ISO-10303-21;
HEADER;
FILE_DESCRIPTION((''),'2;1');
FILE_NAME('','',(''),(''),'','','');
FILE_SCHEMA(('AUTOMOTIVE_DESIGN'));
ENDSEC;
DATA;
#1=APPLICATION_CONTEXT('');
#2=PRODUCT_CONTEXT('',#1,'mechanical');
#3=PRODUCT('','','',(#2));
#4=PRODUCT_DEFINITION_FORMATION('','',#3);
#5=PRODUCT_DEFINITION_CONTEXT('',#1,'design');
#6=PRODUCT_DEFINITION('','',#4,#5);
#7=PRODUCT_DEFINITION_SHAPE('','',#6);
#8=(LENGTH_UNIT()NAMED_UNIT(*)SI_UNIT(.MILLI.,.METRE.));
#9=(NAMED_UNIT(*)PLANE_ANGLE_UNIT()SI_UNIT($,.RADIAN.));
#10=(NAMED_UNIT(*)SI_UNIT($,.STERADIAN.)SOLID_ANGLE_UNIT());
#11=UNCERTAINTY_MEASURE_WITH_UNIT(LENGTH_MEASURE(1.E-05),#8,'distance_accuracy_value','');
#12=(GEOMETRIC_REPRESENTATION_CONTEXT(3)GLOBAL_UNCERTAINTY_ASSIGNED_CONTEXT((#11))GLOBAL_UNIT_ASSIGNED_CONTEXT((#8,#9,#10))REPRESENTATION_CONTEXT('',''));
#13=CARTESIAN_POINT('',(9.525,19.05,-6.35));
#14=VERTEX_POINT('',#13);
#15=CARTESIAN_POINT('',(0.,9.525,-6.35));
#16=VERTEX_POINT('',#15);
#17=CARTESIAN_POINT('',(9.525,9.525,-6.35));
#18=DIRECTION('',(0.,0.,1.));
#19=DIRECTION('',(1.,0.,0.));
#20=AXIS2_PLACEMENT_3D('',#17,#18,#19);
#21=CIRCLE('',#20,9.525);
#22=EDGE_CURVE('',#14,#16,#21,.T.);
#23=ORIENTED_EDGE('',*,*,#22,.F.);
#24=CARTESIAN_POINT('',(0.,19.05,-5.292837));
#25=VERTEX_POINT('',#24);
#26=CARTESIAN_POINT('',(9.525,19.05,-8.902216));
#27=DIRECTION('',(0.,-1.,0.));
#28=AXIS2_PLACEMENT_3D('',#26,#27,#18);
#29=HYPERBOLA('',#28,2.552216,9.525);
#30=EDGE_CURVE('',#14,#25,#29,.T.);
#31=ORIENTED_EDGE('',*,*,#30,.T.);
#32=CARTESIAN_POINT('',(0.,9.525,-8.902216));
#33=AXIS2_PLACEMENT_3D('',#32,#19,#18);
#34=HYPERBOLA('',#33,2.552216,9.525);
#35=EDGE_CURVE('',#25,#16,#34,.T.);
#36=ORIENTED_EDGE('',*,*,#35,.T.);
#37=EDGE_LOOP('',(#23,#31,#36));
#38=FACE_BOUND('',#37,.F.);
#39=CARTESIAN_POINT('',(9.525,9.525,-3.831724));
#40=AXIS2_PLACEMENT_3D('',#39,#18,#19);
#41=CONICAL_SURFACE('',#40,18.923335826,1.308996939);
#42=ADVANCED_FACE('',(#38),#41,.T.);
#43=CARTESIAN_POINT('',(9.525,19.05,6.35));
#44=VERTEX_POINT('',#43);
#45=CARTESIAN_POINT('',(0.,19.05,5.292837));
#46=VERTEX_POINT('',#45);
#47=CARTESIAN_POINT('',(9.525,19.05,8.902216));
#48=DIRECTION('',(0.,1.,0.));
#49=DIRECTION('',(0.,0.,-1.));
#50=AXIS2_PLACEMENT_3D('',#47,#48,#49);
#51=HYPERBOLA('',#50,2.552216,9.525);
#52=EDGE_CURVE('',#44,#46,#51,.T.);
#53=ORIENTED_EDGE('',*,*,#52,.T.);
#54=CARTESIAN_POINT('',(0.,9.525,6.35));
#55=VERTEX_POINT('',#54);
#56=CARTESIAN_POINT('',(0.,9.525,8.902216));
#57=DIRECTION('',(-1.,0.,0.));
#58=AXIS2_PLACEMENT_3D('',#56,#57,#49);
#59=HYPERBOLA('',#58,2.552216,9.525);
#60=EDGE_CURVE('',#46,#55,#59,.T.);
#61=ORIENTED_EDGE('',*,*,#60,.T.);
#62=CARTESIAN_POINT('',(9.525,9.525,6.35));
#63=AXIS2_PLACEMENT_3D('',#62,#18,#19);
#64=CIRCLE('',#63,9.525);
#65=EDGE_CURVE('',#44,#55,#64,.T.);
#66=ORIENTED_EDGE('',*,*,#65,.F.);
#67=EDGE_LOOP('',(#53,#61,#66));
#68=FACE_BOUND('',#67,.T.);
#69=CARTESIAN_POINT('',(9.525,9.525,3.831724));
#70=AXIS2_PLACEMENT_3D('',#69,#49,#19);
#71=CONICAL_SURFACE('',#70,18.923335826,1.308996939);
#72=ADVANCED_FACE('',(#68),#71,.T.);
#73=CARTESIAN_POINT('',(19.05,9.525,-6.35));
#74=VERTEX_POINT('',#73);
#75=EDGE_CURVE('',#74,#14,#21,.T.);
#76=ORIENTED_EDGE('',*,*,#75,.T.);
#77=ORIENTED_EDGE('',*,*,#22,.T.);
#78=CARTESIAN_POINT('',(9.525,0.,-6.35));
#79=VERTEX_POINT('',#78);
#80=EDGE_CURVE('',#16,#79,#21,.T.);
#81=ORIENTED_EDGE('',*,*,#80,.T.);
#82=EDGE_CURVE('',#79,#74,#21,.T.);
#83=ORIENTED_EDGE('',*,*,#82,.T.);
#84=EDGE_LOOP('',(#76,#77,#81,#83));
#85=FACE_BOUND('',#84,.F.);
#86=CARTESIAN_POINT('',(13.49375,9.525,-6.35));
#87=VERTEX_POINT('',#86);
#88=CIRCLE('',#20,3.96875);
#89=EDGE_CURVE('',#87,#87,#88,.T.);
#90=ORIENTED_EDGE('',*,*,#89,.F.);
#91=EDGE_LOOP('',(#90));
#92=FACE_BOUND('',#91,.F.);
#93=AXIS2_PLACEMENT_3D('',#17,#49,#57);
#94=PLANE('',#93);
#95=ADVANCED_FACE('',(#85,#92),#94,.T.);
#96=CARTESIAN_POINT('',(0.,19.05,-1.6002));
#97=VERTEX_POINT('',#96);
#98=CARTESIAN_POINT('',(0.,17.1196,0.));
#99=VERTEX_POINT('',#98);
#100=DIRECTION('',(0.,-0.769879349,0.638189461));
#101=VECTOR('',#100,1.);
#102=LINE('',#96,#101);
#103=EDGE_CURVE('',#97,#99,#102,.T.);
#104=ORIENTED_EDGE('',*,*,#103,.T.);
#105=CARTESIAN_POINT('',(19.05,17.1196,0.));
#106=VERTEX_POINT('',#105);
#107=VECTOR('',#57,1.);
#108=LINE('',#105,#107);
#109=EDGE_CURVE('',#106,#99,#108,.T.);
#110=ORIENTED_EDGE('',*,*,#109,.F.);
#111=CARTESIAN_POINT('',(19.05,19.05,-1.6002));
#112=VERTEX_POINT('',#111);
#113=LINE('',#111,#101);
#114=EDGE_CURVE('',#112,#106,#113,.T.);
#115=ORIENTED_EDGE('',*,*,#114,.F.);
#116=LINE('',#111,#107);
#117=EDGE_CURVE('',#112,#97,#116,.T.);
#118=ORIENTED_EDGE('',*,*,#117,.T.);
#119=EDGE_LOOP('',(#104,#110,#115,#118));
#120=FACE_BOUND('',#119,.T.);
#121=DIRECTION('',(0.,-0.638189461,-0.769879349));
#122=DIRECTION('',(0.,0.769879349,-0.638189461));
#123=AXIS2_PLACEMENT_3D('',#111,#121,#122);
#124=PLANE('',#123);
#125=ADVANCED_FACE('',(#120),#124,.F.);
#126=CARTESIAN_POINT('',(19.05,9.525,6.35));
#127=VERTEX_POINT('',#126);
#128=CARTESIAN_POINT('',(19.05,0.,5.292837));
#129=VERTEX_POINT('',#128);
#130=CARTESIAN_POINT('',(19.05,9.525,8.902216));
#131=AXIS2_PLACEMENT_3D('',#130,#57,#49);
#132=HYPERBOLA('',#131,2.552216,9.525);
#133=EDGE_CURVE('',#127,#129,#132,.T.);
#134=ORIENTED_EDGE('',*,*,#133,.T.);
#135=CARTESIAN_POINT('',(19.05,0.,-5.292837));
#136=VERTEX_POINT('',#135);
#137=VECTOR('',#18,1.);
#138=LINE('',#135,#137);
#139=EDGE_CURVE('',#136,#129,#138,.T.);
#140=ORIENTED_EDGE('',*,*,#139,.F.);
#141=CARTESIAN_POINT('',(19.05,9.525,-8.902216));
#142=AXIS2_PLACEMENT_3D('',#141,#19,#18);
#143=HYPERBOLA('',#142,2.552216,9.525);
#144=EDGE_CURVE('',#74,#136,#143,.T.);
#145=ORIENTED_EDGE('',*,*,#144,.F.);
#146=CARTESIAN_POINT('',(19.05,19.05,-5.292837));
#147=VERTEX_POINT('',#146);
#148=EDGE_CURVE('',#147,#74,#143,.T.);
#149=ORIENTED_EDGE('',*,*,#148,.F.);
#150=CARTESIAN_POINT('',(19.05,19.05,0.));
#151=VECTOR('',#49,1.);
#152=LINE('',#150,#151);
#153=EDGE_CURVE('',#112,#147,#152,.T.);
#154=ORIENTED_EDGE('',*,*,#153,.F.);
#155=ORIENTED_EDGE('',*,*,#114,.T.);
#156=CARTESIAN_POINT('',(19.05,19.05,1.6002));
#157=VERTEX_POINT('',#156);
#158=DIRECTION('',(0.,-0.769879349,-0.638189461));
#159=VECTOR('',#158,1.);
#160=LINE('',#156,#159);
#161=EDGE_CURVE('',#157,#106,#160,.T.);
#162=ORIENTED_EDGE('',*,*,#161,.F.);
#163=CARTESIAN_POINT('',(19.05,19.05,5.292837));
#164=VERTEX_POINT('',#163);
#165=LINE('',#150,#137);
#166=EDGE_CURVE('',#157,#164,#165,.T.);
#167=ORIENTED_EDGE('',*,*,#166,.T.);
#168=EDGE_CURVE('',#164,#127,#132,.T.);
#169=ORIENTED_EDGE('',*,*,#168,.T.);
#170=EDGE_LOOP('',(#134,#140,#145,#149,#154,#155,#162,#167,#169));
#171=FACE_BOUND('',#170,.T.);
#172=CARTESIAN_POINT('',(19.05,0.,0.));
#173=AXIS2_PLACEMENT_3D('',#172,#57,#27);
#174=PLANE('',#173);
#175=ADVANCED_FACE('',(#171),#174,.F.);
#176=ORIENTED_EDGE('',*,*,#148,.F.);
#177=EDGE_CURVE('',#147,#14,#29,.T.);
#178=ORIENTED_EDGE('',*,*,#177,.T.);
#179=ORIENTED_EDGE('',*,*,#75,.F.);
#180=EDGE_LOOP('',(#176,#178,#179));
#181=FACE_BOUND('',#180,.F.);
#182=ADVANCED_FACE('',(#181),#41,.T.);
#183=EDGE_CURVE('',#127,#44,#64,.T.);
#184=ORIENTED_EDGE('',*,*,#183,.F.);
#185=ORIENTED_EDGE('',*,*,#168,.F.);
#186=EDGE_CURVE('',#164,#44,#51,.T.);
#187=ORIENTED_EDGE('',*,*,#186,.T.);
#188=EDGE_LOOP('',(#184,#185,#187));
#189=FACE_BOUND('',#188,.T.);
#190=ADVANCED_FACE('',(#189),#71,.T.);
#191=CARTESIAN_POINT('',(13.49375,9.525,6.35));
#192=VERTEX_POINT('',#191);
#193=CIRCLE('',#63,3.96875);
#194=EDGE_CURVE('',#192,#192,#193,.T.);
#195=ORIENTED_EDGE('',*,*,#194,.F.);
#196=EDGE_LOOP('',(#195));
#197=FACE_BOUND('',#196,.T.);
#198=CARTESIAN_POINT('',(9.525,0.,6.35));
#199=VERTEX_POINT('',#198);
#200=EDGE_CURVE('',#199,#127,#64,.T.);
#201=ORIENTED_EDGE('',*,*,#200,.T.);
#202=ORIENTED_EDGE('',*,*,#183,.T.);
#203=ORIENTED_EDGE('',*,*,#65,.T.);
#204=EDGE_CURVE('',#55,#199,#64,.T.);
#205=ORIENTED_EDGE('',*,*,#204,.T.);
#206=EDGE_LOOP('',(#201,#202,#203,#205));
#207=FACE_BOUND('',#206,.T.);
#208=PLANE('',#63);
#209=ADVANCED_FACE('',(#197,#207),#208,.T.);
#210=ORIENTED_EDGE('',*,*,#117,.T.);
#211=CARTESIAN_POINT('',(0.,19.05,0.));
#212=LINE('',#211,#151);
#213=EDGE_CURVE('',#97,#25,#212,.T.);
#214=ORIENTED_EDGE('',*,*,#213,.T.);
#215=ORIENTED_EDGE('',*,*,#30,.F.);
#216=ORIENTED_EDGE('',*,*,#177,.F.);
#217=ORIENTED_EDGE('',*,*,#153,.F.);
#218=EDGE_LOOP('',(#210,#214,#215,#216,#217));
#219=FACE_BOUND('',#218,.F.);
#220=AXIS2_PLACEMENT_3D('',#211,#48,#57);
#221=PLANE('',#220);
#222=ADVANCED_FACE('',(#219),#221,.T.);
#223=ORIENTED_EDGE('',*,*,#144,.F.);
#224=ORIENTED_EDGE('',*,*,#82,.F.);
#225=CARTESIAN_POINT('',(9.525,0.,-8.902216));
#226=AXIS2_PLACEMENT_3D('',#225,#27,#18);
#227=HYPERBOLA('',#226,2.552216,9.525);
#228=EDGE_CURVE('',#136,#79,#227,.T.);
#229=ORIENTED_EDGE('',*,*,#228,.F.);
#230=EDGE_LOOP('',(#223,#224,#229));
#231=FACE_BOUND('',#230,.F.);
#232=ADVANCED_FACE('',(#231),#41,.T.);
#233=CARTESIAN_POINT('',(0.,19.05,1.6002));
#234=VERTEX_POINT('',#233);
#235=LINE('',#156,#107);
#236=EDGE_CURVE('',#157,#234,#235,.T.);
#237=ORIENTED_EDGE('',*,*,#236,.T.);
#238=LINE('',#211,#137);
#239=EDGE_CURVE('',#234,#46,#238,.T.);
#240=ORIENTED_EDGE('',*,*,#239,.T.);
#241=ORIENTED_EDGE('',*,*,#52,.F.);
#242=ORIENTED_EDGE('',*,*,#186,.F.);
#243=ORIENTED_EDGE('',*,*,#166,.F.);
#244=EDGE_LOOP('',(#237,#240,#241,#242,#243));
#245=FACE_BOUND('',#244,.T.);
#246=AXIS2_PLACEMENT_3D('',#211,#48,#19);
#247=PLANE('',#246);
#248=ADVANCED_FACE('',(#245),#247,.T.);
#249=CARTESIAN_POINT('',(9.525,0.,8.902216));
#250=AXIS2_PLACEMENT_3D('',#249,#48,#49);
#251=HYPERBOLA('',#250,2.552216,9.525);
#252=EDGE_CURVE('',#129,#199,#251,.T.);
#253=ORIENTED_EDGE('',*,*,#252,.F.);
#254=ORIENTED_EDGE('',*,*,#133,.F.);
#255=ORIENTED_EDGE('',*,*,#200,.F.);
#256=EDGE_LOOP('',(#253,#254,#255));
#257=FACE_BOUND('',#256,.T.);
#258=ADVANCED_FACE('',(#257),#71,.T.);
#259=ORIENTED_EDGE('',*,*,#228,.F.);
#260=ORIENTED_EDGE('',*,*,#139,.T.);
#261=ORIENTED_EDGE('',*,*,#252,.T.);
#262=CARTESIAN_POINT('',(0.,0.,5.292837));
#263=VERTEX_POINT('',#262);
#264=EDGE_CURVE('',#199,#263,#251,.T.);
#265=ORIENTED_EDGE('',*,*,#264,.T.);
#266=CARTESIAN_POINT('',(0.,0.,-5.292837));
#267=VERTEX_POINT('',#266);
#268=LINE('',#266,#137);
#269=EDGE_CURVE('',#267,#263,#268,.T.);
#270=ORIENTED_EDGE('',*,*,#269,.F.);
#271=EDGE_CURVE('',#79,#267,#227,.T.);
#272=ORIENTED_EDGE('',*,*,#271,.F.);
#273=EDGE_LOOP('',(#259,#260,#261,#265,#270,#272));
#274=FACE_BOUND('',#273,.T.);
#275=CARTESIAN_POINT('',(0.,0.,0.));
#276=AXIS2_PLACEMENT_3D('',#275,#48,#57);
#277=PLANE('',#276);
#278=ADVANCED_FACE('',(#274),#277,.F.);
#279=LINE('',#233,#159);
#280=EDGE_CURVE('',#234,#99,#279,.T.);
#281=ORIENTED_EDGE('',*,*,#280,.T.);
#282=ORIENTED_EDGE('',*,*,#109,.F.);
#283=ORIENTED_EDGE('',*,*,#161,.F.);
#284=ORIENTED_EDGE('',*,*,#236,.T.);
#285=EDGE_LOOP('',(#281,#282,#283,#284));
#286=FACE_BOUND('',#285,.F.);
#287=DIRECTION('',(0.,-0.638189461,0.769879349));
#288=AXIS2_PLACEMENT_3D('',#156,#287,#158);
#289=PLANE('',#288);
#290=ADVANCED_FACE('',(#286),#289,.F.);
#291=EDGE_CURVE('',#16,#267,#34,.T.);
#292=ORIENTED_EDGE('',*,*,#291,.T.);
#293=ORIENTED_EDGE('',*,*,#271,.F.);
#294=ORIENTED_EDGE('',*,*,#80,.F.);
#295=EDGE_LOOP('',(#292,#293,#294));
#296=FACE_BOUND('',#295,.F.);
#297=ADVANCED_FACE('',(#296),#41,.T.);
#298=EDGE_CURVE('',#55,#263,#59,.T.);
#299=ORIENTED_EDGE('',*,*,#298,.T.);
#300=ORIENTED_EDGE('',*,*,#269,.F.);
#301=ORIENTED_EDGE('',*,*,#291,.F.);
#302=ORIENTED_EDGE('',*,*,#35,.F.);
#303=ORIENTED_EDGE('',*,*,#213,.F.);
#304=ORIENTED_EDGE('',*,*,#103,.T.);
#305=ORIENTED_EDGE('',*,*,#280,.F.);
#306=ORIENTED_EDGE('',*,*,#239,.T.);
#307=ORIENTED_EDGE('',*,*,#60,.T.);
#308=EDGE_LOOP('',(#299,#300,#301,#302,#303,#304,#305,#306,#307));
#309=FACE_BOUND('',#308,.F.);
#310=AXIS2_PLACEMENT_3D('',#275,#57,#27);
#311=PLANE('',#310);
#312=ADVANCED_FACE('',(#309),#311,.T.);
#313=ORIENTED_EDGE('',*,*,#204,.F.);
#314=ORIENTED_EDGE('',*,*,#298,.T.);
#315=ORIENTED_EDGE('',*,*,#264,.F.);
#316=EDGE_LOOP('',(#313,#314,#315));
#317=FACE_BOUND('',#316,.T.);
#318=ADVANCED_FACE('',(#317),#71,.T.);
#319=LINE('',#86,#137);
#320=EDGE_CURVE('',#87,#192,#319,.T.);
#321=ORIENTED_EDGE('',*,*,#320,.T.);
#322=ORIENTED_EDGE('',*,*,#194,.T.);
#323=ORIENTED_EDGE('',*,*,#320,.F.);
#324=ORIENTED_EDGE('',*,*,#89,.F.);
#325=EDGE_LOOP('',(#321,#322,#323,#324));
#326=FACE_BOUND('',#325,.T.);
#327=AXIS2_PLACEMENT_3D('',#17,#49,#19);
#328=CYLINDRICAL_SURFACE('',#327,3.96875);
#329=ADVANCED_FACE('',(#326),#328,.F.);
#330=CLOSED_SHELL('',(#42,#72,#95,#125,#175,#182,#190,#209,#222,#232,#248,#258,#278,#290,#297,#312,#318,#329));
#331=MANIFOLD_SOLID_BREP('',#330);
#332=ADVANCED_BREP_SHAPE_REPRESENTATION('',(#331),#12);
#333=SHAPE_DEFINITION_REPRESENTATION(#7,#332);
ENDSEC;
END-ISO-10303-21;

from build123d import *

# Parameters (mm, degrees)
F0_W     = 19.05
F0_H     = 19.05
F1_DEPTH = 6.35
F2_R     = 3.96875
F3_DEPTH = 12.7
F6_DEPTH = 19.05


with BuildPart() as f1:
    # F0 (on Top) → F1 (new body)
    with BuildSketch(Plane.XY):
        with Locations((9.525, 9.525)):
            Rectangle(F0_W, F0_H)
    extrude(amount=F1_DEPTH)

    # F2 (on face) → F3 (cut)
    with BuildSketch(Plane.XY.offset(6.35)):
        with Locations((9.525, 9.525)):
            Circle(F2_R)
    extrude(amount=-F3_DEPTH, mode=Mode.SUBTRACT)

    # F5 (on face) → F6 (cut)
    with BuildSketch(Plane.YZ.offset(19.05)):
        Polygon((17.1196, 0), (19.05, 0), (19.05, 1.6002), align=None)
    extrude(amount=-F6_DEPTH, mode=Mode.SUBTRACT)

    # F9: sweep along a path in F4
    with BuildLine(Plane.XY.offset(6.35)) as f9_path:
        CenterArc((9.525, 9.525), 9.525, 0, 360)
    # F8 (on mid) → F9 (sweep, cut)
    with BuildSketch(Plane(origin=(9.525, 0, 0), x_dir=(0, -1, 0), z_dir=(-1, 0, 0))):
        Polygon((-28.4483358264, 3.8317235051), (-19.05, 6.35), (-28.4483358264, 6.35), align=None)
    sweep(path=f9_path.line, mode=Mode.SUBTRACT)

    # F10: F1 across face


with BuildPart() as f1_1:
    add(f1.part)
    add(f1.part.mirror(Plane(origin=(9.525, 8.3871560005, 0), x_dir=(1, 0, 0), z_dir=(0, 0, -1))))


solid = f1_1.part
